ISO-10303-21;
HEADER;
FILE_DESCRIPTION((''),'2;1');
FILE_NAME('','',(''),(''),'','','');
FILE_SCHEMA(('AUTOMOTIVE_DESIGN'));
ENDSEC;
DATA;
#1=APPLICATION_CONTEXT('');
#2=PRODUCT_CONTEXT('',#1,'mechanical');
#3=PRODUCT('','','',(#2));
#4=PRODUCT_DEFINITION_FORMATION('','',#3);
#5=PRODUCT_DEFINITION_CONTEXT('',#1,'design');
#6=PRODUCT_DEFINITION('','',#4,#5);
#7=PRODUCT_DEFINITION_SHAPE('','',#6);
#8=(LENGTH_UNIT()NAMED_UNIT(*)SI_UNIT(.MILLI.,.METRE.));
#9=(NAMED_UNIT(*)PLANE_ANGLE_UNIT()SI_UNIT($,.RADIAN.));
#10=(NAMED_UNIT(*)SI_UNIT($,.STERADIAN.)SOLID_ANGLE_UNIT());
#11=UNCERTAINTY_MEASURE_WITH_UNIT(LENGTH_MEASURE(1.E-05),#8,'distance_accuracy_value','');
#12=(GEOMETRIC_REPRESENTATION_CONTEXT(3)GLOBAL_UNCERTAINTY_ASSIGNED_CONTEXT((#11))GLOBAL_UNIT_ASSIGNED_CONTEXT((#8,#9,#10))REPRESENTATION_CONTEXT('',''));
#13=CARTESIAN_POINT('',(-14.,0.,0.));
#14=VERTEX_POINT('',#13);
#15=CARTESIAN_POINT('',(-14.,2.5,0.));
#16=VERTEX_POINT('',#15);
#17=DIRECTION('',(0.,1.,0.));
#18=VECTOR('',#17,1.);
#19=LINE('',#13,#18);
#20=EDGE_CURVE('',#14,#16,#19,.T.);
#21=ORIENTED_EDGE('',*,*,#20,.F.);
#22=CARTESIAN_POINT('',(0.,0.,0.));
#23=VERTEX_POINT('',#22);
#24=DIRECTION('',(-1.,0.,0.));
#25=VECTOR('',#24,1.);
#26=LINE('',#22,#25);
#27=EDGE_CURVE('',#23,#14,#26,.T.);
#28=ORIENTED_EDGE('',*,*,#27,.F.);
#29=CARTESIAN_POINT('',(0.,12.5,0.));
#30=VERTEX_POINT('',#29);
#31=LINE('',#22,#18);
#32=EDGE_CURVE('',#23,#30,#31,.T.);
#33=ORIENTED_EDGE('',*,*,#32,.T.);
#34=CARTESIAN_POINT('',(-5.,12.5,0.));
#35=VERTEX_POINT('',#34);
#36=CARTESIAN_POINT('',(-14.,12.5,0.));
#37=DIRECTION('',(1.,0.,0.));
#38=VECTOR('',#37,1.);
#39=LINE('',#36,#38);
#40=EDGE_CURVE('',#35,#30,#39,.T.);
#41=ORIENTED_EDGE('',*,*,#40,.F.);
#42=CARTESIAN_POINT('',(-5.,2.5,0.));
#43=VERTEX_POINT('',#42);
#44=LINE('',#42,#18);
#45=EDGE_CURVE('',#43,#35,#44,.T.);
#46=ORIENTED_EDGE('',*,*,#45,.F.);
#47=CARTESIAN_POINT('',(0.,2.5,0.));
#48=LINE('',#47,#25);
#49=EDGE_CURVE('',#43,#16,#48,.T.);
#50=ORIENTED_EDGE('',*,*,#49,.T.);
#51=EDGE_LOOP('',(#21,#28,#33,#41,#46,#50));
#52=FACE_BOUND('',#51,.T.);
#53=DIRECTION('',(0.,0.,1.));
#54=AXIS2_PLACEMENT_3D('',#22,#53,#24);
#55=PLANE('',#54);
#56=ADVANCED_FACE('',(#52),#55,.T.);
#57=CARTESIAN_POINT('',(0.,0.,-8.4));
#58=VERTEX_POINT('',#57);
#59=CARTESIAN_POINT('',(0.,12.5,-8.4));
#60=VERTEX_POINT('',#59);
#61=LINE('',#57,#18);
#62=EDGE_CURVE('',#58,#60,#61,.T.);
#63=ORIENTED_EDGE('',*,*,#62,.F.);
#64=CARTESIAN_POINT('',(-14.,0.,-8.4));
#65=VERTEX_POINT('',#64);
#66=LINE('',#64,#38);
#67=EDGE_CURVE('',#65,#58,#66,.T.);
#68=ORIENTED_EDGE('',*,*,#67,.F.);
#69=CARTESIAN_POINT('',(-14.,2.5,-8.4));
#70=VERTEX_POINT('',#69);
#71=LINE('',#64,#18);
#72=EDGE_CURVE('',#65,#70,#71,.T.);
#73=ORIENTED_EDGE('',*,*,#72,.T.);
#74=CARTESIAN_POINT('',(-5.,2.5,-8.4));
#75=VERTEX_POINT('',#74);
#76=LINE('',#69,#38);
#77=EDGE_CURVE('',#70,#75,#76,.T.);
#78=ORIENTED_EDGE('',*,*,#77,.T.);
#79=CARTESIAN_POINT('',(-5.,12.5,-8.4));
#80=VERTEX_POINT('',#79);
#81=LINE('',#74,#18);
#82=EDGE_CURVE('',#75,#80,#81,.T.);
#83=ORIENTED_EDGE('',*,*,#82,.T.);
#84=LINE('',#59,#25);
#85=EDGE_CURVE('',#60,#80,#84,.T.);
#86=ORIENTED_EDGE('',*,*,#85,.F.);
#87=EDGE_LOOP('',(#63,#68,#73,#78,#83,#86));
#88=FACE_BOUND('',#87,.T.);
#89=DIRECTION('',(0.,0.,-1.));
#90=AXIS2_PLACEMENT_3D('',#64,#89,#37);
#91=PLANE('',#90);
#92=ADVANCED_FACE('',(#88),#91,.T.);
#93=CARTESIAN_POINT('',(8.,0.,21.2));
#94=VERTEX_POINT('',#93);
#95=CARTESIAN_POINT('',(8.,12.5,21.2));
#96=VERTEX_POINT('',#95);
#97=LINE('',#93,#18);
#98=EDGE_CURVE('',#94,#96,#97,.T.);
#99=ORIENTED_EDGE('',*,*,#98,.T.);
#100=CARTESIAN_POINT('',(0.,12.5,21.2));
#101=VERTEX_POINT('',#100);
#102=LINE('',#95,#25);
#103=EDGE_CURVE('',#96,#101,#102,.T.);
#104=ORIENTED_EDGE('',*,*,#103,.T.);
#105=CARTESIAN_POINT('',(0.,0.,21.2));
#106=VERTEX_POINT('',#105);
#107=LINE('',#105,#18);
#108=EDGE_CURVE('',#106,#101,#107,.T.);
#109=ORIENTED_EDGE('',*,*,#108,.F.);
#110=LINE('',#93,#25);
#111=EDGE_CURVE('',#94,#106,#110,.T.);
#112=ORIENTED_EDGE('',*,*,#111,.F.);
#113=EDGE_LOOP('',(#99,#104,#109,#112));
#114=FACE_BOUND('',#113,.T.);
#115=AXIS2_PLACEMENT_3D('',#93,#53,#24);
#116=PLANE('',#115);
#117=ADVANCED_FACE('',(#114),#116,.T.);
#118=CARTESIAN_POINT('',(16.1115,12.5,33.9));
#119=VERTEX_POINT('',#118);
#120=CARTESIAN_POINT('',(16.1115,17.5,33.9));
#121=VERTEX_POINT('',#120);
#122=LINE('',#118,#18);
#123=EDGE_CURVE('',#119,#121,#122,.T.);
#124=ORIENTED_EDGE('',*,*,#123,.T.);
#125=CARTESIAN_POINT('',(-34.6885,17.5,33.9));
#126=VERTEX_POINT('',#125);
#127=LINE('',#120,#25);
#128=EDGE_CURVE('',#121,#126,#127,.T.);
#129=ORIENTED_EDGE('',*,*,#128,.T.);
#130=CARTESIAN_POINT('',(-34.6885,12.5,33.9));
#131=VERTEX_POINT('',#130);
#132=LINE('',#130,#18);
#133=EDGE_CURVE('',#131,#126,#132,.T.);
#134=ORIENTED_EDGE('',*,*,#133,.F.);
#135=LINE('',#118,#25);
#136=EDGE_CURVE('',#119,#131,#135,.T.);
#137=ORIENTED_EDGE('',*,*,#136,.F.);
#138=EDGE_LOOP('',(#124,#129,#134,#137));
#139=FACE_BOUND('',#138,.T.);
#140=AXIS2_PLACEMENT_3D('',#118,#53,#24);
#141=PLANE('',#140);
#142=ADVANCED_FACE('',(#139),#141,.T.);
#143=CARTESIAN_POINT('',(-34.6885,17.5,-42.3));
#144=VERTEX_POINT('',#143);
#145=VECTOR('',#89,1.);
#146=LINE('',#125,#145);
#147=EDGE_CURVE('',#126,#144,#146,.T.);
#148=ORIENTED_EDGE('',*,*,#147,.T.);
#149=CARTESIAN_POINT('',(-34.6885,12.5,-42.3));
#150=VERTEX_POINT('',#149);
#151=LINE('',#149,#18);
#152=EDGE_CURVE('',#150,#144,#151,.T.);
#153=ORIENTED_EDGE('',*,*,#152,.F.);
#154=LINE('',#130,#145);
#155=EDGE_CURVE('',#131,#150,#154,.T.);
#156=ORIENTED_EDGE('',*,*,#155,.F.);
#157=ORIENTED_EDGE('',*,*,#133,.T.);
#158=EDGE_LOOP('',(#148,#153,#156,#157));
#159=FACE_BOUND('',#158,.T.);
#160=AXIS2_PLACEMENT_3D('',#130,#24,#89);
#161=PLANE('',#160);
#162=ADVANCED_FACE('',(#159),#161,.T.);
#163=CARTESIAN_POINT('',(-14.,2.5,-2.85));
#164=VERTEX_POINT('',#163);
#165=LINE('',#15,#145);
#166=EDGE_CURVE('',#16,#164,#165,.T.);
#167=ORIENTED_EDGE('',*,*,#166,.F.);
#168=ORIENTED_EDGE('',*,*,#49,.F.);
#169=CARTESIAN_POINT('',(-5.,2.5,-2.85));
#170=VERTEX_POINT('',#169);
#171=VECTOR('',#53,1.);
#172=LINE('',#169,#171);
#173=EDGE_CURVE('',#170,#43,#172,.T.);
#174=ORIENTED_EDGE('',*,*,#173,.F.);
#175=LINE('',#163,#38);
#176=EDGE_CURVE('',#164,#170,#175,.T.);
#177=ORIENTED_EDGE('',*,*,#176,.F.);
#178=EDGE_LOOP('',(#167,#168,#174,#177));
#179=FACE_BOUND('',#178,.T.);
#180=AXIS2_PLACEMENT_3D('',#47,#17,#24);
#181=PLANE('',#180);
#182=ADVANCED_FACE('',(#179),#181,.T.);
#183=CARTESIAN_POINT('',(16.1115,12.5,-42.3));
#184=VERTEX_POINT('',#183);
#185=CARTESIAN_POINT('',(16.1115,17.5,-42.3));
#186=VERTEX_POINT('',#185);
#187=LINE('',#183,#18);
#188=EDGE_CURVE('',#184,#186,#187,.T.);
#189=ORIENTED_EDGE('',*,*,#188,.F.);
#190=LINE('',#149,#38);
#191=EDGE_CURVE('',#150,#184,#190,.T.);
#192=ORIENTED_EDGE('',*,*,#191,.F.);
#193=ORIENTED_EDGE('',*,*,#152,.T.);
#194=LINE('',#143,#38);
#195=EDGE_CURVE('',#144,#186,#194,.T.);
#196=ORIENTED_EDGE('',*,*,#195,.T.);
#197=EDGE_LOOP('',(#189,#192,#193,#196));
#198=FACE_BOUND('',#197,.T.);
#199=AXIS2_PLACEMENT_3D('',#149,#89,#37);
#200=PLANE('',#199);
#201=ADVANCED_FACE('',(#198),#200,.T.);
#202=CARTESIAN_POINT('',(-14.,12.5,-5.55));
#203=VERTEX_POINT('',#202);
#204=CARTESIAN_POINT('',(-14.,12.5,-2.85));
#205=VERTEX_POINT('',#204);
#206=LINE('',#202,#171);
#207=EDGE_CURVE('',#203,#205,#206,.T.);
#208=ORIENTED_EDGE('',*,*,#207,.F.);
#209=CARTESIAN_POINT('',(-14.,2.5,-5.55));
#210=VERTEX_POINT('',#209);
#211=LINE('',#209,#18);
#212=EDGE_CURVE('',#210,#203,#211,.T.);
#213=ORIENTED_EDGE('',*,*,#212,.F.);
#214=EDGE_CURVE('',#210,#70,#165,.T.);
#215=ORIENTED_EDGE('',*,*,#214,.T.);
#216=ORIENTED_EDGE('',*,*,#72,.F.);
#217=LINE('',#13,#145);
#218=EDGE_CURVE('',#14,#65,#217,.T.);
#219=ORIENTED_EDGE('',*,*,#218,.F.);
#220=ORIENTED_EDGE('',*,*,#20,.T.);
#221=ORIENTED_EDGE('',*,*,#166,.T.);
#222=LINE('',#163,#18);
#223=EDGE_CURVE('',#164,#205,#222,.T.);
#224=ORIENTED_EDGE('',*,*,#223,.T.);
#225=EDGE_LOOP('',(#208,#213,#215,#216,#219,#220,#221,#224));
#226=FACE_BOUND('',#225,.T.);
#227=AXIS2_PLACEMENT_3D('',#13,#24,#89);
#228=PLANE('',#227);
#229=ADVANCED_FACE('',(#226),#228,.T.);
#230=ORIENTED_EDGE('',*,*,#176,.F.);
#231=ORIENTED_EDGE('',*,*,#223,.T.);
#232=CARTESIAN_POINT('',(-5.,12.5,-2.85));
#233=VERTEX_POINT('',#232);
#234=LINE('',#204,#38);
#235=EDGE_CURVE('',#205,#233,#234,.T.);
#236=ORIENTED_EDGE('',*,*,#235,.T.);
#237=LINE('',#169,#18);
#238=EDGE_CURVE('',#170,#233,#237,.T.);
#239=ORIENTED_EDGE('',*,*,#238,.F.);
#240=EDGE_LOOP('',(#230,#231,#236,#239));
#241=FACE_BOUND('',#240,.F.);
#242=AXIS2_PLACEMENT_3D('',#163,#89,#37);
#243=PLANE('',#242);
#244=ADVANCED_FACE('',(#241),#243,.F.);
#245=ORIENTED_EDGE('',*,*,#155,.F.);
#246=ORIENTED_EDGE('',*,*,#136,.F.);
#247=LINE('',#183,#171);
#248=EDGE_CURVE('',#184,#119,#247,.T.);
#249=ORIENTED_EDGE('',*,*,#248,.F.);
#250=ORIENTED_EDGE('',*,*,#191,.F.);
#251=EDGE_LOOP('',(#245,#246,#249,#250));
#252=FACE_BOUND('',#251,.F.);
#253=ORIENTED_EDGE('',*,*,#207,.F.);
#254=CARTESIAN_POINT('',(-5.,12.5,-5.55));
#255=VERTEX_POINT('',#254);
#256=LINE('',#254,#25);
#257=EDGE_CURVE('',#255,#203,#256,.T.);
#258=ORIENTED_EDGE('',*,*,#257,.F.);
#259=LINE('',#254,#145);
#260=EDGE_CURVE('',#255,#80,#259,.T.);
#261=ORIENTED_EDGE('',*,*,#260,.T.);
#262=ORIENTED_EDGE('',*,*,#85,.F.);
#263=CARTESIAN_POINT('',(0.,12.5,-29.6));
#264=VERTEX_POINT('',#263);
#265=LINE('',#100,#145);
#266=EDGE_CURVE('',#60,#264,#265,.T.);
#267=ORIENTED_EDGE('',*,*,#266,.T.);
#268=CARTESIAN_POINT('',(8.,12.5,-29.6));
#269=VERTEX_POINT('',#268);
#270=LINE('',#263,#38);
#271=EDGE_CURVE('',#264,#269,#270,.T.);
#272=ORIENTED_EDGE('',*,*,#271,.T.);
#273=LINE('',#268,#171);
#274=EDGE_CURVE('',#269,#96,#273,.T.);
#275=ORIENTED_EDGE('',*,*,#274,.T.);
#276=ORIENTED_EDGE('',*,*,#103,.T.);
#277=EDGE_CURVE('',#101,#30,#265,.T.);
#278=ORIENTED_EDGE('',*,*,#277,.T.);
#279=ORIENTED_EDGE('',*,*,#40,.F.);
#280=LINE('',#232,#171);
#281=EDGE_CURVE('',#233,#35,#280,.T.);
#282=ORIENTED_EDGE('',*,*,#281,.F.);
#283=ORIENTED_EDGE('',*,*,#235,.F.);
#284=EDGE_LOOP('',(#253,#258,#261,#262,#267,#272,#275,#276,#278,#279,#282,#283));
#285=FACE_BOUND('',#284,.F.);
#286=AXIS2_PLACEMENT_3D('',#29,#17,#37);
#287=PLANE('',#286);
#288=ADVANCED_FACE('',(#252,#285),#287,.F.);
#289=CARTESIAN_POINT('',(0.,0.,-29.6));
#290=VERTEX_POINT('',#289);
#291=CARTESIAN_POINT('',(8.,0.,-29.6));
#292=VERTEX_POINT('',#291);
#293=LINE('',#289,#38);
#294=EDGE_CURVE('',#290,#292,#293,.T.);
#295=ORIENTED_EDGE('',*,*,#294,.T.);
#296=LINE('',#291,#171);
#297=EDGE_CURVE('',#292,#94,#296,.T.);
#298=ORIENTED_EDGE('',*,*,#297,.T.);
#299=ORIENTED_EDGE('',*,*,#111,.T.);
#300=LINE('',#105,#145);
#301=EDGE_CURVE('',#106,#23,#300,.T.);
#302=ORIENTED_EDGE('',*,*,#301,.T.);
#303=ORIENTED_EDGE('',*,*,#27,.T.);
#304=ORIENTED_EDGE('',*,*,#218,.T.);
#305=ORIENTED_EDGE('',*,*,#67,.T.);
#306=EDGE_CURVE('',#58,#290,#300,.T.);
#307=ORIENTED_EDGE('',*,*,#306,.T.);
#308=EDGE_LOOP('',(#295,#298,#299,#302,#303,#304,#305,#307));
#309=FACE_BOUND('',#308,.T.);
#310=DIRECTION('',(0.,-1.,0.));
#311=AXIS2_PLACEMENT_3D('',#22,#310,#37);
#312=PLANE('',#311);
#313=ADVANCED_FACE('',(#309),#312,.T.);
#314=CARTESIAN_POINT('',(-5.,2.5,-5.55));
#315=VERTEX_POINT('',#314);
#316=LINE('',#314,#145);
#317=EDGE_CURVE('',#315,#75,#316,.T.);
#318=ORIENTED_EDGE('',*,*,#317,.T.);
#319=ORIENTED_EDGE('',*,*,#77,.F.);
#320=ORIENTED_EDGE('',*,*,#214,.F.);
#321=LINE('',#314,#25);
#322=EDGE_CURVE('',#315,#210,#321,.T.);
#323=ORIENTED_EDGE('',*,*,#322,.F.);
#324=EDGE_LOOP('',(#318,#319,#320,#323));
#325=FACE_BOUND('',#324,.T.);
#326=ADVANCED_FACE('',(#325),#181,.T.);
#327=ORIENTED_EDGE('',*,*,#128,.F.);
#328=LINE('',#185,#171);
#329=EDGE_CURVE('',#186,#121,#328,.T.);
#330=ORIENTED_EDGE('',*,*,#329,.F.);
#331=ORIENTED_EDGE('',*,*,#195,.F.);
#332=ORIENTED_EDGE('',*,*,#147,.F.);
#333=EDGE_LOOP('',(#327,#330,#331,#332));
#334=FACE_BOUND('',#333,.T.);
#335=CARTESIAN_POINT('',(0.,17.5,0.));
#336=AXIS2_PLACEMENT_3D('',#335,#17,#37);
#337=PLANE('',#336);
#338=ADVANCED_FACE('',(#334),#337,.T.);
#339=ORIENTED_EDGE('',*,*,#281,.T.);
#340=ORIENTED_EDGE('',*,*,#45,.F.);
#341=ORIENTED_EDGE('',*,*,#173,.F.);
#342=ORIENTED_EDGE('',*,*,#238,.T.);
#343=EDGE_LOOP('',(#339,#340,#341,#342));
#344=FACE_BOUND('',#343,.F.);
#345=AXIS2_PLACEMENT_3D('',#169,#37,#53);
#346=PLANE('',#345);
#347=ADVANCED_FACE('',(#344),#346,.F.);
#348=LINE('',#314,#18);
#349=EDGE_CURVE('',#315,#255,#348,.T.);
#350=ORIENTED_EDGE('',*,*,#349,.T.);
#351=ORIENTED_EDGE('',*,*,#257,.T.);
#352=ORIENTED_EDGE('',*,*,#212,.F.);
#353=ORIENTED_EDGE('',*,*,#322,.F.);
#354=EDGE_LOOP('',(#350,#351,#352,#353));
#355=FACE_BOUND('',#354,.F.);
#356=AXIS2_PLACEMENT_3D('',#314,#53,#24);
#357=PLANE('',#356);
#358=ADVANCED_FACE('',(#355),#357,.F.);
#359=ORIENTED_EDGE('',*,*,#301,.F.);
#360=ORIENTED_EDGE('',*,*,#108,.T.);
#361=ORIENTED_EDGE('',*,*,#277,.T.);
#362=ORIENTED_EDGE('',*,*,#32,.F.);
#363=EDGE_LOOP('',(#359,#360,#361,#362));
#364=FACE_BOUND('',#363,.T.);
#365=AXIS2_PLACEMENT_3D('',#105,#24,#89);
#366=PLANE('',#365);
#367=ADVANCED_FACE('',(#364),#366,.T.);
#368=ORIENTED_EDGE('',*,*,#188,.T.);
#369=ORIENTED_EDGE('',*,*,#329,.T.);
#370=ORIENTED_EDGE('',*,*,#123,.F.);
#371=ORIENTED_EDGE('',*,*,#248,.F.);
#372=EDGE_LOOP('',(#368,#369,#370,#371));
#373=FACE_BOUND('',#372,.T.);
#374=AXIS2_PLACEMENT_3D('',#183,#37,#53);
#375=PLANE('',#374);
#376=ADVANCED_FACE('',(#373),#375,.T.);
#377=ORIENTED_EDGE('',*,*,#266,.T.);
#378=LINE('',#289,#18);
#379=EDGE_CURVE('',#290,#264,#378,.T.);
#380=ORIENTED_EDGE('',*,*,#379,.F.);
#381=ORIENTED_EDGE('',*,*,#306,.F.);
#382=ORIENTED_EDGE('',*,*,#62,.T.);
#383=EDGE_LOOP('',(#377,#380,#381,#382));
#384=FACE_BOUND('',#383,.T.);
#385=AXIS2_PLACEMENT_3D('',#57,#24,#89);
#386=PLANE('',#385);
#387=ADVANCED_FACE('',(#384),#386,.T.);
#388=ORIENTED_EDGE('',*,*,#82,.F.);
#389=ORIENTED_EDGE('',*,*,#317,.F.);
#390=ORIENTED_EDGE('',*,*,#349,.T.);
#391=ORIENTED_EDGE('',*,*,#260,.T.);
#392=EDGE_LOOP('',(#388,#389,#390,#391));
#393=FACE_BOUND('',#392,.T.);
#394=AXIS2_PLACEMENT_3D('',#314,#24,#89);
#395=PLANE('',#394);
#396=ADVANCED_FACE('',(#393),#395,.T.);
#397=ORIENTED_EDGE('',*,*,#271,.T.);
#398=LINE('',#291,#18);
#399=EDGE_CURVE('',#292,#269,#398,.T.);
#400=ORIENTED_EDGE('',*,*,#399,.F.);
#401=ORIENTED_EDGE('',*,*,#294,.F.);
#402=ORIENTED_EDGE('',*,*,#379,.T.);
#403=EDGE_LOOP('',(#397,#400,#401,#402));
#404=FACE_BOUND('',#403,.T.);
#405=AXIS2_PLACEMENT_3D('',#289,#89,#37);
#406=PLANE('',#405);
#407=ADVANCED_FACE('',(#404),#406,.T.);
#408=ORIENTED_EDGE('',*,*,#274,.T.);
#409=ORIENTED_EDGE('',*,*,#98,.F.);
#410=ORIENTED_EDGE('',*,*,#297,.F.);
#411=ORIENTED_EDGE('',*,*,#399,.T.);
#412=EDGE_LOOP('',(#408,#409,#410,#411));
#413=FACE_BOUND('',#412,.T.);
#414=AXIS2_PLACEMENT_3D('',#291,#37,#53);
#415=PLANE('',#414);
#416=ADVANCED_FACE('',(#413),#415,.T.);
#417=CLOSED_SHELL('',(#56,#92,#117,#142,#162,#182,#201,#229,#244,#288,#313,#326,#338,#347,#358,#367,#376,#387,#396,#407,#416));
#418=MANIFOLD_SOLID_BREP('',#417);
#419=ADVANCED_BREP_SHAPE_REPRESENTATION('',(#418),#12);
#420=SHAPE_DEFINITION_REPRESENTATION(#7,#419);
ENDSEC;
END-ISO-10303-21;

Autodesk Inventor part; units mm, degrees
ref_plane "YZ Plane" through (0, 0, 0) normal (1, 0, 0) x (0, 1, 0)
ref_plane "XZ Plane" through (0, 0, 0) normal (0, 1, 0) x (-1, 0, 0)
ref_plane "XY Plane" through (0, 0, 0) normal (0, 0, 1) x (1, 0, 0)
sketch "Sketch1" plane through (0, 0, 0) normal (0, 1, 0) x (-1, 0, 0)
  line L0 (0, 0) -> (14, 0)
  line L1 (14, 0) -> (14, -8.4)
  line L2 (14, -8.4) -> (0, -8.4)
  line L3 (0, -8.4) -> (0, 0)
  dimension "d0" = 8.4
  dimension "d1" = 14
extrude "Extrusion1" add sketch "Sketch1" along normal blind 2.5
sketch "Sketch2" plane through (0, 2.5, 0) normal (0, 1, 0) x (1, 0, 0)
  line L0 (-14, 2.85) -> (-5, 2.85)
  line L1 (-5, 5.55) -> (-14, 5.55)
  line L2 (-14, 5.55) -> (-14, 2.85)
  line L3 (-14, 8.4) -> (-14, 0) projected
  line L4 (-5, 2.85) -> (-5, 0)
  line L5 (-14, 0) -> (0, 0) projected
  line L6 (-5, 0) -> (0, 0)
  line L7 (0, 0) -> (0, 8.4) projected
  line L8 (0, 0) -> (0, 8.4)
  line L9 (-5, 5.55) -> (-5, 8.4)
  line L10 (0, 8.4) -> (-14, 8.4) projected
  point P0 (-14, 4.2)
  point P1 (-14, 4.2)
  point P2 (-5, 1.425)
  point P3 (-5, 6.975)
  dimension "d4" = 9
extrude "Extrusion2" add sketch "Sketch2" along normal blind 10 contours L2 L1 L9 L10 L7 L5 L4 L0
sketch "Sketch3" plane through (0, 0, 0) normal (0, -1, 0) x (1, 0, 0)
  line L0 (0, -29.6) -> (8, -29.6)
  line L1 (8, -29.6) -> (8, 21.2)
  line L2 (8, 21.2) -> (0, 21.2)
  line L3 (0, 21.2) -> (0, -29.6)
  line L4 (0, 0) -> (0, -8.4) projected
  point P0 (8, -4.2)
  point P1 (0, -4.2)
  point P2 (0, -4.2)
  dimension "d8" = 50.8
  dimension "d9" = 8
extrude "Extrusion3" add sketch "Sketch3" against normal up to surface (12.5 mm away)
sketch "Sketch4" plane through (0, 12.5, 0) normal (0, 1, 0) x (1, 0, 0)
  line L0 (16.1115, -33.9) -> (-34.6885, -33.9)
  line L1 (-34.6885, -33.9) -> (-34.6885, 42.3)
  line L2 (-34.6885, 42.3) -> (16.1115, 42.3)
  line L3 (16.1115, 42.3) -> (16.1115, -33.9)
  line L4 (8, 29.6) -> (8, -21.2) projected
  point P0 (0, 0)
  point P1 (16.1115, 4.2)
  point P2 (8, 4.2)
  dimension "d12" = 50.8
  dimension "d13" = 76.2
extrude "Extrusion4" add sketch "Sketch4" along normal blind 5
